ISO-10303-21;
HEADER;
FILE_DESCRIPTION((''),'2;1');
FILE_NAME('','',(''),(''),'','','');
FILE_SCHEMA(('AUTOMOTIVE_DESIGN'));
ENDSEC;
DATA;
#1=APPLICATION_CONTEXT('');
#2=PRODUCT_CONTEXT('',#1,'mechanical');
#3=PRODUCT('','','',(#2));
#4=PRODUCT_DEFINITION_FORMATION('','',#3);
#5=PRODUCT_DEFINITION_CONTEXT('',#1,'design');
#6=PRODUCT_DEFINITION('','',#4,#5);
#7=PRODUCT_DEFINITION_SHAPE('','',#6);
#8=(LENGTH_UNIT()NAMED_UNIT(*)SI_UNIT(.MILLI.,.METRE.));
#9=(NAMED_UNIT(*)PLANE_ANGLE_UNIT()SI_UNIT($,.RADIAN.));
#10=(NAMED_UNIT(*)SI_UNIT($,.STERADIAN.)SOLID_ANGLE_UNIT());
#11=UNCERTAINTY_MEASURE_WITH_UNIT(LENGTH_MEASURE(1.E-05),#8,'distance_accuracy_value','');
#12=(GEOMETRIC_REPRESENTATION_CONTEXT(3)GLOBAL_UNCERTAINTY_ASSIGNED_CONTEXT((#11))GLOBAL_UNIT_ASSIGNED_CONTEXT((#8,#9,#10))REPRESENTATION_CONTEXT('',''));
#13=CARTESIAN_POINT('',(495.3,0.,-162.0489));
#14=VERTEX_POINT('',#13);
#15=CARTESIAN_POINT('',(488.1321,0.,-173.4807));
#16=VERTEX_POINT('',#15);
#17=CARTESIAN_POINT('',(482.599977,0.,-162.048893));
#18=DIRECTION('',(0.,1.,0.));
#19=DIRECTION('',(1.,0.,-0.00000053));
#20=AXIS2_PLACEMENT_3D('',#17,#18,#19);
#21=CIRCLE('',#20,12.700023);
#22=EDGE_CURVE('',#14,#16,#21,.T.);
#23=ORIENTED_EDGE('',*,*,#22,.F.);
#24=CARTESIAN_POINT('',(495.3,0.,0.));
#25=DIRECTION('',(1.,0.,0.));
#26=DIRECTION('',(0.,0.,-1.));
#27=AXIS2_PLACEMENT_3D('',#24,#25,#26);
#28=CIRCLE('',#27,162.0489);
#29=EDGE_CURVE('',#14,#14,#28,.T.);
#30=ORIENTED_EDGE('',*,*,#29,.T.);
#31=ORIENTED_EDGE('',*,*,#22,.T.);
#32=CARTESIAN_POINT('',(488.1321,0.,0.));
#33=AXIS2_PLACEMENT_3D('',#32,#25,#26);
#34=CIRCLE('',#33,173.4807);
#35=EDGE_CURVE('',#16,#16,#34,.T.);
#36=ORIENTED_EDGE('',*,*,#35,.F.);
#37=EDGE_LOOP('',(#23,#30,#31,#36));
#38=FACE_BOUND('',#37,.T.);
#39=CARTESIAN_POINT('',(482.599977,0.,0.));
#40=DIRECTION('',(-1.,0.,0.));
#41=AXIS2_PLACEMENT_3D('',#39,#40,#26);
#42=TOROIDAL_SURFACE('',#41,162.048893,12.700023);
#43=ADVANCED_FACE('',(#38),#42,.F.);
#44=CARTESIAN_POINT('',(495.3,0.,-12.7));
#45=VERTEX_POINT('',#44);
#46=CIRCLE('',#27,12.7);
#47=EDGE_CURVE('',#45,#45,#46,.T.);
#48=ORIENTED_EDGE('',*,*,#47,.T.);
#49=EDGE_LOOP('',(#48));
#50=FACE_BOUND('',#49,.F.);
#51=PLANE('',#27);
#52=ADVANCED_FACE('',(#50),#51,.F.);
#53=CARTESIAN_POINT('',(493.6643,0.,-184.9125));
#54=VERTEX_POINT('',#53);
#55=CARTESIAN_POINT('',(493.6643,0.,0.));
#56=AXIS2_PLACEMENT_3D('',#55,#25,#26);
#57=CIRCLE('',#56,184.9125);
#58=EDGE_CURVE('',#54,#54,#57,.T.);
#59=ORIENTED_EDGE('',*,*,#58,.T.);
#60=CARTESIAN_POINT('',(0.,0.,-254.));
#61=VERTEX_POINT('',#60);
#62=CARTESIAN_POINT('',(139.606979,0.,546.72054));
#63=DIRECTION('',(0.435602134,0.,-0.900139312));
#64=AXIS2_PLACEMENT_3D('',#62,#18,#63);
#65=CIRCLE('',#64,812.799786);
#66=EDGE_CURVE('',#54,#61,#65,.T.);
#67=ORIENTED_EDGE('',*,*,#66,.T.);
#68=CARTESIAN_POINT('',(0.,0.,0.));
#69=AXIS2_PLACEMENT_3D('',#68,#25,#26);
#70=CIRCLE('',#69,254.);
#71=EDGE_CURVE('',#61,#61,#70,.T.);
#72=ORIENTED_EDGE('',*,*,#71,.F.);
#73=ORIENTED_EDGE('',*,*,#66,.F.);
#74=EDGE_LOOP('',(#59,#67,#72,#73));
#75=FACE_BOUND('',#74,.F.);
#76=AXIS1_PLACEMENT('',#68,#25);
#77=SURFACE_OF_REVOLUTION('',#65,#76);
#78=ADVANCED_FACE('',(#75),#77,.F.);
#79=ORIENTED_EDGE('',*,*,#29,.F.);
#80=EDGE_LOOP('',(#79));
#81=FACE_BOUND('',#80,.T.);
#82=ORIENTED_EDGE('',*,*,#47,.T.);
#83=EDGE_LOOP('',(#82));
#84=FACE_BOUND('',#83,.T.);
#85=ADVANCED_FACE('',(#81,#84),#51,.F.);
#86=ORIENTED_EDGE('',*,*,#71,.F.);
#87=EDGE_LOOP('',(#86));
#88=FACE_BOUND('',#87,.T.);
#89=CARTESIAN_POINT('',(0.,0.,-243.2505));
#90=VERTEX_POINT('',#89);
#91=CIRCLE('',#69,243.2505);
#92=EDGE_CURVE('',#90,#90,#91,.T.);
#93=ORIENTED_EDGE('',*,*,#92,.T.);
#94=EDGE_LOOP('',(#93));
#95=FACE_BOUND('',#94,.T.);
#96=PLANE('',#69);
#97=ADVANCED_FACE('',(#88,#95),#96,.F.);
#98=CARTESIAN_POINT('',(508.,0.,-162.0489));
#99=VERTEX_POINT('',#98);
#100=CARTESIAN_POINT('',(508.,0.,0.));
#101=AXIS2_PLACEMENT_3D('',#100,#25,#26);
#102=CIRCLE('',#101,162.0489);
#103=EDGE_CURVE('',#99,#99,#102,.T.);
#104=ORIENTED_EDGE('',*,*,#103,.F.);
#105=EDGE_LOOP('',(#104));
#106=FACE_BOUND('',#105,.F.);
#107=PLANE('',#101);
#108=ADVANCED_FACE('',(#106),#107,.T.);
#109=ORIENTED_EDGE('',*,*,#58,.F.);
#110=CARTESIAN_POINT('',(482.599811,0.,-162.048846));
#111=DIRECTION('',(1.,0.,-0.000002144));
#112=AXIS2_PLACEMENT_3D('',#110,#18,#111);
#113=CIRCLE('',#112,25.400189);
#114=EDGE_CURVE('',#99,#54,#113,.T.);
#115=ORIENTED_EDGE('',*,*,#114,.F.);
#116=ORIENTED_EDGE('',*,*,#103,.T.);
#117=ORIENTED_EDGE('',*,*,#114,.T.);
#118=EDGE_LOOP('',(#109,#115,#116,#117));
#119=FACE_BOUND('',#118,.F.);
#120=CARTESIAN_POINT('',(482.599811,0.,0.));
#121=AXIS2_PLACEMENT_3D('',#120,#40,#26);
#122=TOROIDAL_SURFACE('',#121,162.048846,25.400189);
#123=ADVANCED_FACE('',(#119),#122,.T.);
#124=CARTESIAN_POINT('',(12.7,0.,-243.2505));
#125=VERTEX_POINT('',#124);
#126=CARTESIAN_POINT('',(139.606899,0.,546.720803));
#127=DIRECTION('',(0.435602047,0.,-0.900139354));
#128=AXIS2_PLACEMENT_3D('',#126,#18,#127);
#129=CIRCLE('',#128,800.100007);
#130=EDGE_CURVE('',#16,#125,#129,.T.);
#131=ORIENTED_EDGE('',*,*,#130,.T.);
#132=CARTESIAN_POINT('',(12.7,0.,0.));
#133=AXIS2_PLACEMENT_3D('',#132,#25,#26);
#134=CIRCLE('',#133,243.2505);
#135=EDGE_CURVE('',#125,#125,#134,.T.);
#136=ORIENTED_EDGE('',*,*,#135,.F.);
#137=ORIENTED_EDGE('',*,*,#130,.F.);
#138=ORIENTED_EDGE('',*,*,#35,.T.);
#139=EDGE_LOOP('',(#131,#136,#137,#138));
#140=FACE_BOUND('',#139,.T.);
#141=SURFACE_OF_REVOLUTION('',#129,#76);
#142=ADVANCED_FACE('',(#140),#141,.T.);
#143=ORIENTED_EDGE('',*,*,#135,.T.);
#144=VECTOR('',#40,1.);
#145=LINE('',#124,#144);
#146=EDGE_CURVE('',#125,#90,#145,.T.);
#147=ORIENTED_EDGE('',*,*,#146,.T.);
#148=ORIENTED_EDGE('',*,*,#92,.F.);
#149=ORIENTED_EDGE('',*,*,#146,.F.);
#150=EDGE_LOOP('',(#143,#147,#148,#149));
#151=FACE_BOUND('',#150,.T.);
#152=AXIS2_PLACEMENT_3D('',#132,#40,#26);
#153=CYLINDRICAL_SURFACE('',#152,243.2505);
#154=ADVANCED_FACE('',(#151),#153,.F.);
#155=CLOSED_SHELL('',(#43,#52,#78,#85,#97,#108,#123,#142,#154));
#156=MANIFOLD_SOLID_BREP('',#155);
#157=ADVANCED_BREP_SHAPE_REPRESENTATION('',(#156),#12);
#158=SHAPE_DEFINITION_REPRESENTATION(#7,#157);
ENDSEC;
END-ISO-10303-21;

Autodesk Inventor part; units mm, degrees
ref_plane "YZ Plane" through (0, 0, 0) normal (1, 0, 0) x (0, 1, 0)
ref_plane "XZ Plane" through (0, 0, 0) normal (0, 1, 0) x (-1, 0, 0)
ref_plane "XY Plane" through (0, 0, 0) normal (0, 0, 1) x (1, 0, 0)
sketch "Sketch1" plane through (0, 0, 0) normal (0, 1, 0) x (-1, 0, 0)
  line L0 (0, 0) -> (0, -254)
  line L1 (0, 0) -> (-508, 0)
  line L2 (-508, 0) -> (-508, -162.0489)
  arc A0 (-493.6643, -184.9125) -> (0, -254) centre (-139.6069, 546.7208) ccw
  arc A1 (-508, -162.0489) -> (-493.6643, -184.9125) centre (-482.6, -162.0489) ccw
  line L3 (-495.3, -12.7) -> (-495.3, -162.0489)
  arc A2 (-495.3, -162.0489) -> (-488.1321, -173.4807) centre (-482.6, -162.0489) ccw
  arc A3 (-488.1321, -173.4807) -> (-12.7, -243.2505) centre (-139.6069, 546.7208) ccw
  line L4 (-495.3, -12.7) -> (-495.3, 0)
  line L5 (-12.7, -243.2505) -> (0, -243.2505)
  point P0 (-508, -177.8)
  dimension "d0" = 254
  dimension "d1" = 508
  dimension "d2" = 177.8
  dimension "d3" = 25.4
  dimension "d4" = 812.8
  dimension "d5" = 12.7
  dimension "d6" = 12.7
revolve "Revolution1" add sketch "Sketch1" angle 360 about axis through (0, 0, 0) along (1, 0, 0) contours L0 A0 A1 L2 L1 L4 L3 A2 A3 L5
properties part number "Bucket" material "LCP Plastic"
